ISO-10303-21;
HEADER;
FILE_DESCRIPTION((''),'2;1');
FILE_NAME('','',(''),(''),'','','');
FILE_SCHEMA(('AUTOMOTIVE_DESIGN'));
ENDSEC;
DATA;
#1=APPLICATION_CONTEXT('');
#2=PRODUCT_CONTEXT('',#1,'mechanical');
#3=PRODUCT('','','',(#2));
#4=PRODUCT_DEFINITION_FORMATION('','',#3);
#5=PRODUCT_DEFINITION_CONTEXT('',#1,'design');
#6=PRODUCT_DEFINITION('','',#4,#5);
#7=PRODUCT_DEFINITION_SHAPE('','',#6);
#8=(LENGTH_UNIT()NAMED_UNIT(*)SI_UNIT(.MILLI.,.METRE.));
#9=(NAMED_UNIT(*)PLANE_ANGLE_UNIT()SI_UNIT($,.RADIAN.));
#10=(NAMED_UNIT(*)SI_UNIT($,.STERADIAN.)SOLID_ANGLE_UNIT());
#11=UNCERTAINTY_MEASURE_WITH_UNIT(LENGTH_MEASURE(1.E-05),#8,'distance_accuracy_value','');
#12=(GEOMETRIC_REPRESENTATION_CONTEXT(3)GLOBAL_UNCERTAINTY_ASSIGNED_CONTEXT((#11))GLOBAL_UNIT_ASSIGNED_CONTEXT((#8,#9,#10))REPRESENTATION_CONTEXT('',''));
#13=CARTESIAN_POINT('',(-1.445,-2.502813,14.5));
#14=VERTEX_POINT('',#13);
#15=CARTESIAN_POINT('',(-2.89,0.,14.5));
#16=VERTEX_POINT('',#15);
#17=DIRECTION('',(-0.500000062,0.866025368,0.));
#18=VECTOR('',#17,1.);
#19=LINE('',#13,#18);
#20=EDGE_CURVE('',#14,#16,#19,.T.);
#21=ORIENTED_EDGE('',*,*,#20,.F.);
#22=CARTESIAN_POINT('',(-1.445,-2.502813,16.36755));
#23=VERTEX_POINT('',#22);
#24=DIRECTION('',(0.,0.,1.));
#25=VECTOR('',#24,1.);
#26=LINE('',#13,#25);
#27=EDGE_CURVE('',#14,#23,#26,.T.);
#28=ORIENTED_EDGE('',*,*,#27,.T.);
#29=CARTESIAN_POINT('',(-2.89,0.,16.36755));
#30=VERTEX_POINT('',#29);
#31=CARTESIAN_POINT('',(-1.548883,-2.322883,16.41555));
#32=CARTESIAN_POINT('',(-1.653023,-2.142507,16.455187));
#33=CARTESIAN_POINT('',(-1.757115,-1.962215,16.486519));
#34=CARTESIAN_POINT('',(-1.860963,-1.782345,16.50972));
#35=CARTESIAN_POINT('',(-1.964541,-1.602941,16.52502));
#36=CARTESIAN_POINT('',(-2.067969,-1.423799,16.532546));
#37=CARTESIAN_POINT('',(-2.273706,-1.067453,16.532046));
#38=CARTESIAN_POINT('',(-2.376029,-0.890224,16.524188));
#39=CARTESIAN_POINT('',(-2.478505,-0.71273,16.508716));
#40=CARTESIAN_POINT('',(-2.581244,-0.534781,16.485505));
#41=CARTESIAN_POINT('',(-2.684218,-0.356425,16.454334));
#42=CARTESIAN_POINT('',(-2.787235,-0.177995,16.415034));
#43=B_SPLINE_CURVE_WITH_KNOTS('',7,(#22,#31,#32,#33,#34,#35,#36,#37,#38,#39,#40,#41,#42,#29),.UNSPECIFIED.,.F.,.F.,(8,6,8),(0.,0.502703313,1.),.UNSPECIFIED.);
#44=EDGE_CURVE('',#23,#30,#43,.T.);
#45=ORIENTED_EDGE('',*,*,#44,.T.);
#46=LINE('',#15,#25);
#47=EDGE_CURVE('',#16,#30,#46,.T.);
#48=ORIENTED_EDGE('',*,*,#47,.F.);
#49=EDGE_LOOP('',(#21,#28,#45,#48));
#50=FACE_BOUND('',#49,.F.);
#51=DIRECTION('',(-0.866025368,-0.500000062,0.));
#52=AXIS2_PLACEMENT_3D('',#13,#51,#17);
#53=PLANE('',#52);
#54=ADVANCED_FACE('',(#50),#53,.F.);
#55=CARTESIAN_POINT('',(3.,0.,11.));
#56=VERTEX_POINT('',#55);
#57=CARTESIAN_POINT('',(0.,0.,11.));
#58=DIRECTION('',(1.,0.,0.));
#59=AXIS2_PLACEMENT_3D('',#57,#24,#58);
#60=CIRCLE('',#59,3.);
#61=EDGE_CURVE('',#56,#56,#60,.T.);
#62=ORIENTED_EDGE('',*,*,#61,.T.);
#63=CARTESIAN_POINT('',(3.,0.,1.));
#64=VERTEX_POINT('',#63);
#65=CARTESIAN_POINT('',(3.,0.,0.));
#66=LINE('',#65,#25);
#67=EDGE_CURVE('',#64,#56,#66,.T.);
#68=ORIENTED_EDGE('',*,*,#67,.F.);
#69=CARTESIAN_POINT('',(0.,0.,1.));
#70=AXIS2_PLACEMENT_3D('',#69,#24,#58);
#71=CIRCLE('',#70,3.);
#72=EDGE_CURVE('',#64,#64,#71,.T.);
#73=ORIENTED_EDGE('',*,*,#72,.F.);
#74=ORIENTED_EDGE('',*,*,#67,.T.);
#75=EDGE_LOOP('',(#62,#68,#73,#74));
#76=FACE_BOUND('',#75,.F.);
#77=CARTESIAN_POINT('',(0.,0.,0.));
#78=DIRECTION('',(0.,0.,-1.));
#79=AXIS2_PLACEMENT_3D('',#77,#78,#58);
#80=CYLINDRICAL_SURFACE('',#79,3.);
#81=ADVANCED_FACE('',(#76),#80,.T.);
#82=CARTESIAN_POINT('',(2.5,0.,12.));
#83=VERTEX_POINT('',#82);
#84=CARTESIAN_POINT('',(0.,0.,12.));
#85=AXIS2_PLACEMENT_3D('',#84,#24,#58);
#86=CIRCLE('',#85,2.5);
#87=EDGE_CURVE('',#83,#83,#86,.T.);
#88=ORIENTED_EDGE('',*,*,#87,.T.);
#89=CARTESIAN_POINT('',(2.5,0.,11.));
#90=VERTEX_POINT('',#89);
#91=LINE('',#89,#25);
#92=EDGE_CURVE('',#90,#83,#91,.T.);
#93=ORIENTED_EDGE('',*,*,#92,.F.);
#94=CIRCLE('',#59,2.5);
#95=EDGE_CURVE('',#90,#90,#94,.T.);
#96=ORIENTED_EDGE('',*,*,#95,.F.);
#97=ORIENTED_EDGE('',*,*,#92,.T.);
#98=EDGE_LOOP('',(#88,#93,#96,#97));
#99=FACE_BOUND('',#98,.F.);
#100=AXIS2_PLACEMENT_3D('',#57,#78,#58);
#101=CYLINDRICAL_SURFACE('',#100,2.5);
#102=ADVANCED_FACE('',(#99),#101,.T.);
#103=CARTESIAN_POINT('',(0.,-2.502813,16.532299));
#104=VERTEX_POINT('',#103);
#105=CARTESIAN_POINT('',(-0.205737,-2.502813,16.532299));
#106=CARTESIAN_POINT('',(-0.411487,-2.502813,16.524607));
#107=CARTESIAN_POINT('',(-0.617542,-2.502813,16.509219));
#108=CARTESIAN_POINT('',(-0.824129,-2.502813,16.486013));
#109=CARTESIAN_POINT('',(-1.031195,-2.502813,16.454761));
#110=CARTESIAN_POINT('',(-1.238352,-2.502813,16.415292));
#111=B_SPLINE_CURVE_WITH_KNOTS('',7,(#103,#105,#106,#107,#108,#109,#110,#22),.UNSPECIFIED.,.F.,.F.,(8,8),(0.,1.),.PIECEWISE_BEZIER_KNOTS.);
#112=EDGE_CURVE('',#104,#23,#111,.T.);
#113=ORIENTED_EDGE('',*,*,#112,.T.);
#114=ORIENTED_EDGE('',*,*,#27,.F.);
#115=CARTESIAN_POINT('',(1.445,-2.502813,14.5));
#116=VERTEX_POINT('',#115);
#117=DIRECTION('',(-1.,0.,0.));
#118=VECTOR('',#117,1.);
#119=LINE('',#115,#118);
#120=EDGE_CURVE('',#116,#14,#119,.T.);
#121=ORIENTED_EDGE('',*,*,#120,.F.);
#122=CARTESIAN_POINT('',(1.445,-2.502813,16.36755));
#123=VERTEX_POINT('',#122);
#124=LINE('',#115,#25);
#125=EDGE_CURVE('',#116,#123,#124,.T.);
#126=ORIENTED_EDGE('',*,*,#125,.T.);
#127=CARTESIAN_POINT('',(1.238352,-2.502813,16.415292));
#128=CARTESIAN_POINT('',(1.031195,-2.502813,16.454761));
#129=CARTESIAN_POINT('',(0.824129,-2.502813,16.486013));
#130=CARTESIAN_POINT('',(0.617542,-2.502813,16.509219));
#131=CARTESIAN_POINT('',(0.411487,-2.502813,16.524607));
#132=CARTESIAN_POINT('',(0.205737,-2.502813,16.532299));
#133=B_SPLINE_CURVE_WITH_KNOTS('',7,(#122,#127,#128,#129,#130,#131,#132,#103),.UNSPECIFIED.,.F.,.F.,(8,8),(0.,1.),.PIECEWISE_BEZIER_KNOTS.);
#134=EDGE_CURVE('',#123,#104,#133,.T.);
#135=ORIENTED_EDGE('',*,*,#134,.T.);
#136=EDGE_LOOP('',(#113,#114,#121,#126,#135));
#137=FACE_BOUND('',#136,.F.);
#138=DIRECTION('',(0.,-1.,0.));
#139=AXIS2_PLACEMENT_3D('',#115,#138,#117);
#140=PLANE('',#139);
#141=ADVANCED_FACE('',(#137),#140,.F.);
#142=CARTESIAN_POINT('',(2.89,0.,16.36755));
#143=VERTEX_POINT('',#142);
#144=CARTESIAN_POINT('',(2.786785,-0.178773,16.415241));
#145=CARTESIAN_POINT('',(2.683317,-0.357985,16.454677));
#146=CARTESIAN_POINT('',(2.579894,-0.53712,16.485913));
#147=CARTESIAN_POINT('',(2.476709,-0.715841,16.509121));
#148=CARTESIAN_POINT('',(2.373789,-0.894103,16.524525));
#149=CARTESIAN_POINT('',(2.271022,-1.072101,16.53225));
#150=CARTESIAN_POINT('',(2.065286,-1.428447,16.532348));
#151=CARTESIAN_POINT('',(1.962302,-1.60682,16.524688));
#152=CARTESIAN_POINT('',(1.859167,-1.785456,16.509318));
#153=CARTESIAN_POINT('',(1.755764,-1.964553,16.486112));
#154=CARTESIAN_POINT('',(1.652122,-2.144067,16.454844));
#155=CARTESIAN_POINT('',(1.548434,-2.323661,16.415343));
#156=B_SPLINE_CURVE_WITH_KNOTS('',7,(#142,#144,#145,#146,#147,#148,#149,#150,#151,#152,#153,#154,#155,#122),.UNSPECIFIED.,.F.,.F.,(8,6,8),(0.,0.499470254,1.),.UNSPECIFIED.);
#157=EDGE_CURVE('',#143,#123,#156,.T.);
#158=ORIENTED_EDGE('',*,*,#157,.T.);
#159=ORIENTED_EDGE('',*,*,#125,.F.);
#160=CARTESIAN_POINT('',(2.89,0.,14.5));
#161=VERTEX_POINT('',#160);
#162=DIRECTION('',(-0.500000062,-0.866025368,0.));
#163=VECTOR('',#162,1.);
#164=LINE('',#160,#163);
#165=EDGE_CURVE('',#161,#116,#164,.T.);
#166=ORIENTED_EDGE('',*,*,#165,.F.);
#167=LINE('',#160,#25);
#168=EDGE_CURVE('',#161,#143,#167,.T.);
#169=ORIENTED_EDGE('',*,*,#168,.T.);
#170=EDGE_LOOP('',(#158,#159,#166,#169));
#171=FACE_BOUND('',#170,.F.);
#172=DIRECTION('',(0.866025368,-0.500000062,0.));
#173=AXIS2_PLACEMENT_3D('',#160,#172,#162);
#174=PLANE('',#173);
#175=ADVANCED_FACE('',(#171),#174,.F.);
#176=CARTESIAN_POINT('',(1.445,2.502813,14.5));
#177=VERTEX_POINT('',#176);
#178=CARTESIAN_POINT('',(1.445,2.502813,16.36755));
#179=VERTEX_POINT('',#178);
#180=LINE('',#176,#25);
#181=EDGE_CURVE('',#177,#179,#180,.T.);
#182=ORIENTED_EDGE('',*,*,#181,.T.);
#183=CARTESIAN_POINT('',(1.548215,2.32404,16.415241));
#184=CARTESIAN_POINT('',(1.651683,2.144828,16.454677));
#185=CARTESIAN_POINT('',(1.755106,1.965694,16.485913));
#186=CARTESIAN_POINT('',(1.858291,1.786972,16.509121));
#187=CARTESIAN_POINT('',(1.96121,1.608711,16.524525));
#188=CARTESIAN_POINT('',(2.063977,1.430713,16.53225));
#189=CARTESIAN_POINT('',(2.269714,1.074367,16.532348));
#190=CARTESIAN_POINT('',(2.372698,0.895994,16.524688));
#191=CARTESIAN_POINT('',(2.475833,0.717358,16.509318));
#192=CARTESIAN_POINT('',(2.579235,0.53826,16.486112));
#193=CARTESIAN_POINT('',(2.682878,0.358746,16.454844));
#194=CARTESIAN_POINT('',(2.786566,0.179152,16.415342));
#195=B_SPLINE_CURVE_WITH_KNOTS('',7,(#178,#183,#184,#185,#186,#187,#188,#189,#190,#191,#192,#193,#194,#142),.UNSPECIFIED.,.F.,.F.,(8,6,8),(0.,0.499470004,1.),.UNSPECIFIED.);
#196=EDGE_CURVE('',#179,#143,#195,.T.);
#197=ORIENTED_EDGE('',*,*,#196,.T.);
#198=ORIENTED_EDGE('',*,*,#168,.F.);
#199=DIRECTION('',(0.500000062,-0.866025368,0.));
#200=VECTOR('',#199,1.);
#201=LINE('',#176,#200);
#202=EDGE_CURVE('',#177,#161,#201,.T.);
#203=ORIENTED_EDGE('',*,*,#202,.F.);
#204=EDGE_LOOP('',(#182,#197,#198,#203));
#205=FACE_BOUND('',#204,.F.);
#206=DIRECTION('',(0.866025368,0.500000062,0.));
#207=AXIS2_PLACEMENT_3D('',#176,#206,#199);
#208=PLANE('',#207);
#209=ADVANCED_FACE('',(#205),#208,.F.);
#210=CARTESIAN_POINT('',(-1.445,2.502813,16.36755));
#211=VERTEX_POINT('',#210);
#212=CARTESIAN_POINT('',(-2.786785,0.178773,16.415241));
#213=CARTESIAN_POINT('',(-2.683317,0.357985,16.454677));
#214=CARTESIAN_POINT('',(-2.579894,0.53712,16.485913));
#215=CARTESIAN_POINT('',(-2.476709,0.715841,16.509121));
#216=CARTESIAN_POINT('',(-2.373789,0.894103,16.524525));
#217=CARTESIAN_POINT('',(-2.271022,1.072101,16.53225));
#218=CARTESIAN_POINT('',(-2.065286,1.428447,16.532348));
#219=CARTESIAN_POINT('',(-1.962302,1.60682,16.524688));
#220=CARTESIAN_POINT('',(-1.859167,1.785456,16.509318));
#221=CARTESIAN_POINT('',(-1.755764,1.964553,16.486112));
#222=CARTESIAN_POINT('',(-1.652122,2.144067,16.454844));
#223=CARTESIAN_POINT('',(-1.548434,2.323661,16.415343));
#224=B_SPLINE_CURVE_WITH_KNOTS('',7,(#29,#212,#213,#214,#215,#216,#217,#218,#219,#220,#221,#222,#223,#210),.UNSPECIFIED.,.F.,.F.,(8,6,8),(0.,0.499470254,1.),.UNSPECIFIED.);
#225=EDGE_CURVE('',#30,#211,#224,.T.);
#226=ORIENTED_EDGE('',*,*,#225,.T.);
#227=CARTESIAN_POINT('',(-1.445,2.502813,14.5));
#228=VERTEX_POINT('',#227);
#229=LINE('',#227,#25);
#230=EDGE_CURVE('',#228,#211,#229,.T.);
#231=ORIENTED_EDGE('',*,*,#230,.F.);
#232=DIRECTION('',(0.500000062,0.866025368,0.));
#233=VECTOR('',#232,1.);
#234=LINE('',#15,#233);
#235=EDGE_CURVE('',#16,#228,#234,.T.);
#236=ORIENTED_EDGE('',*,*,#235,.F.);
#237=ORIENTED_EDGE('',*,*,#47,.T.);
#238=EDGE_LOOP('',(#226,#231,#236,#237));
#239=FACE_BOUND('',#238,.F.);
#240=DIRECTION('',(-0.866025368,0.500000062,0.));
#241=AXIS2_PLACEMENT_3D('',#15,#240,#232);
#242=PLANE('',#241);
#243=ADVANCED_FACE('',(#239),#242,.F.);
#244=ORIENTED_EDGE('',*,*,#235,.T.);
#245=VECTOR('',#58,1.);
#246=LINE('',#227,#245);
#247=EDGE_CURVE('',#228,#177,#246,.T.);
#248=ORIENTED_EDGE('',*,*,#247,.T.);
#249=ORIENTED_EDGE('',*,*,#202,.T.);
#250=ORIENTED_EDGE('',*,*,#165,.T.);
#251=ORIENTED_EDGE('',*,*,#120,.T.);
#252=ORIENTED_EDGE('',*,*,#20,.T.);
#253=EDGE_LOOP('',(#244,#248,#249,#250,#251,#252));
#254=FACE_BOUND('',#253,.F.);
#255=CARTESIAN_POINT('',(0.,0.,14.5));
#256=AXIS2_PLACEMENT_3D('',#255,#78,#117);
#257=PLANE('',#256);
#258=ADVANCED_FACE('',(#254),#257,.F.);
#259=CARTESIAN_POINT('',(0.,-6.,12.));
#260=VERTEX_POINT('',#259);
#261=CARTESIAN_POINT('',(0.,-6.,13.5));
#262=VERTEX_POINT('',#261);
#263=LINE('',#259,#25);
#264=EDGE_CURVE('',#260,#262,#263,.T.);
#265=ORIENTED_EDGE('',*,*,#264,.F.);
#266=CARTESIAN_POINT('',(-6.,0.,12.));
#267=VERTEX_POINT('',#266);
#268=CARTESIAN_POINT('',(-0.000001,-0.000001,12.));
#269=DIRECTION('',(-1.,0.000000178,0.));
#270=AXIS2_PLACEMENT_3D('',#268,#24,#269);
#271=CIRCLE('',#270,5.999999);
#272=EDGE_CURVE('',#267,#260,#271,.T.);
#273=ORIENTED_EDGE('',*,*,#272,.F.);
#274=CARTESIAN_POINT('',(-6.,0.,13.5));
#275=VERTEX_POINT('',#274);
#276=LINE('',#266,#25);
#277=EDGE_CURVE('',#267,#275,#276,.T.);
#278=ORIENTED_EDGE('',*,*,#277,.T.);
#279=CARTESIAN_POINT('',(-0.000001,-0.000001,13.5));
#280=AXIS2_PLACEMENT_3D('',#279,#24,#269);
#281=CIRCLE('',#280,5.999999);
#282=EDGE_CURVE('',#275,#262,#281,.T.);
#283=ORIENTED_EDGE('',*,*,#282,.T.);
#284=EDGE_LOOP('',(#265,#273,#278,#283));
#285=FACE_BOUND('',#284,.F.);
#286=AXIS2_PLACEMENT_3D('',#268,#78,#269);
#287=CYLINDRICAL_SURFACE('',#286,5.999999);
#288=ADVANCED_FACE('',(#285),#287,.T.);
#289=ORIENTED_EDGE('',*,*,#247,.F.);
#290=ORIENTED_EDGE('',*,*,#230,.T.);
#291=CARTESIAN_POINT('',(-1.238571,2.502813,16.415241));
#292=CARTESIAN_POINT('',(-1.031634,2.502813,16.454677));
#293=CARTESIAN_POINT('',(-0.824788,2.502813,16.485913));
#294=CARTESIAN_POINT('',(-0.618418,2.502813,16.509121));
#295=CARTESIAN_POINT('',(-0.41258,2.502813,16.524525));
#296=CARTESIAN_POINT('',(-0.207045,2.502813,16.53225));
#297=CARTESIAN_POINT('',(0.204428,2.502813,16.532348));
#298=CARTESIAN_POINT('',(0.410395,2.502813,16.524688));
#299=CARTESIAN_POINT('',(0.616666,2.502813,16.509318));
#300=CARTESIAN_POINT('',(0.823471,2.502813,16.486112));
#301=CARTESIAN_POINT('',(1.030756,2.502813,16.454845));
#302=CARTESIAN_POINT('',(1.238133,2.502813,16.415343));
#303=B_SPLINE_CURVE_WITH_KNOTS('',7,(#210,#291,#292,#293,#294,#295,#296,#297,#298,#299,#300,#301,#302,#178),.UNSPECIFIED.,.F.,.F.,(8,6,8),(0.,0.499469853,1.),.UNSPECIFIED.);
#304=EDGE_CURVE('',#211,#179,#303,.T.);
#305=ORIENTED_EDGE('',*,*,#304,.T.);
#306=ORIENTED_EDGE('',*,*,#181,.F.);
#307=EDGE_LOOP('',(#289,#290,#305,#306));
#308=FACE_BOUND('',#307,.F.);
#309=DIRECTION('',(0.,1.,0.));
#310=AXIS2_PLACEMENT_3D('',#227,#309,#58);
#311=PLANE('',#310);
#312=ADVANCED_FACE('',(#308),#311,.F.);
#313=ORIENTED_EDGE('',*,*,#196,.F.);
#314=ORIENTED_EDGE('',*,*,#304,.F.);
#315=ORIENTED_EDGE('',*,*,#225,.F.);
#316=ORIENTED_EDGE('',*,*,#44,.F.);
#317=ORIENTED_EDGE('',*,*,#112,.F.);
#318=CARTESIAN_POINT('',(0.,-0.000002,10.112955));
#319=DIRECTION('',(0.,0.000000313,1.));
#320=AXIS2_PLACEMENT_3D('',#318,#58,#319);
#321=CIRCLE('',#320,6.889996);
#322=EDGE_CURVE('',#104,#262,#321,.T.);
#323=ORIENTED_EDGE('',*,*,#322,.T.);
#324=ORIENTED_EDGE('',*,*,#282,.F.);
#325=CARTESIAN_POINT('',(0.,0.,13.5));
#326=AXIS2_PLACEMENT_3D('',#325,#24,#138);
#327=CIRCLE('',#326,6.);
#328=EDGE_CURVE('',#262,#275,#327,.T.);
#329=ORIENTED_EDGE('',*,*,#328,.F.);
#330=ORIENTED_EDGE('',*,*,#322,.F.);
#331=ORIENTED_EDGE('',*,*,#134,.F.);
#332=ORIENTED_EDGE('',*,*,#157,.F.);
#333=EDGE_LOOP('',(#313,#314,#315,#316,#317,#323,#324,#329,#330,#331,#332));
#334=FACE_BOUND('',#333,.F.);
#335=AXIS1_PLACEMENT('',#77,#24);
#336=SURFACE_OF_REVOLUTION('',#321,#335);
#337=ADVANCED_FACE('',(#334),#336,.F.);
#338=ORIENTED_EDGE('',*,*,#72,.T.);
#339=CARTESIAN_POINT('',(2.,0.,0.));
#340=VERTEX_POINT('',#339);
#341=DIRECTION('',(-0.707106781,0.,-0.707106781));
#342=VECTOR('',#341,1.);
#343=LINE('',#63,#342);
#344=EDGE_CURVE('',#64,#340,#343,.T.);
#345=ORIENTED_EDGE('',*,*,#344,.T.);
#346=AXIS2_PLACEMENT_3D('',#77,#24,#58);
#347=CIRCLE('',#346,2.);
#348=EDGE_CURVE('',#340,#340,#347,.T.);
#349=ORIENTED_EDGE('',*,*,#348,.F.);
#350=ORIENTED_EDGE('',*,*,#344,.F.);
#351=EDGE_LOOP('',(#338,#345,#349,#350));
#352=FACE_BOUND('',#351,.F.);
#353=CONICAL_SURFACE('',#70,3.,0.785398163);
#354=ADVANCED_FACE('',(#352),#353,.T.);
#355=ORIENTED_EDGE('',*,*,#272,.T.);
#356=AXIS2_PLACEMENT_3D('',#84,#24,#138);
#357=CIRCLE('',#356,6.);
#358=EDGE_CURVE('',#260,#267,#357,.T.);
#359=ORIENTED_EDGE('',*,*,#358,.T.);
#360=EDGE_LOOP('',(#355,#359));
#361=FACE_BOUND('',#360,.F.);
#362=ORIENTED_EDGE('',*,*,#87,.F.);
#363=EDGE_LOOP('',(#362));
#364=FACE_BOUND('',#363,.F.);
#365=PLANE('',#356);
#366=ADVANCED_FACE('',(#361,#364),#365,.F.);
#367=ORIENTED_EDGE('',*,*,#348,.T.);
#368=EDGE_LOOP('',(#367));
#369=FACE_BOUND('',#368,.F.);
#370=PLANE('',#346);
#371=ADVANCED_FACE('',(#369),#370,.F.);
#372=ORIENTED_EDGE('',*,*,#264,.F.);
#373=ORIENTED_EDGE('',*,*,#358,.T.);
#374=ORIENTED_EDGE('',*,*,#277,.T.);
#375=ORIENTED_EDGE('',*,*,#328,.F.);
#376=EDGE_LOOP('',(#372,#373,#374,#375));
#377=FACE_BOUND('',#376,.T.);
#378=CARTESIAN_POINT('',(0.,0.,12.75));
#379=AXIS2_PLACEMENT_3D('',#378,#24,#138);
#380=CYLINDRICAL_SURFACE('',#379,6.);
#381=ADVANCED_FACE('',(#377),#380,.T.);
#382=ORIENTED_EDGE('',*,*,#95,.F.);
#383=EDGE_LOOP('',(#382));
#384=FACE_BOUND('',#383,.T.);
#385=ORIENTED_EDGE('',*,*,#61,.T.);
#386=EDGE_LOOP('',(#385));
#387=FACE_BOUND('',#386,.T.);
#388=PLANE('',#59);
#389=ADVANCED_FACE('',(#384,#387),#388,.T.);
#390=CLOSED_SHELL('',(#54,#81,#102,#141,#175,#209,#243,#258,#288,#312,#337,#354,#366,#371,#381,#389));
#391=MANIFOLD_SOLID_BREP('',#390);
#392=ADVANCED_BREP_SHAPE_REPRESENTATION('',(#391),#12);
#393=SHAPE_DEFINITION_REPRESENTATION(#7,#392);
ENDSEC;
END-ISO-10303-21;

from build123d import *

# Parameters (mm, degrees)
PAD003_DEPTH        = 4
SKETCH_R            = 3
PAD_DEPTH           = 11
CHAMFER_SIZE        = 1
SKETCH001_R         = 2.5
PAD001_DEPTH        = 1
PAD002_DEPTH        = 1.5
SKETCH004_W         = 6
SKETCH004_H         = 1.5
REVOLUTION001_ANGLE = 270


with BuildPart() as pad003:
    # Sketch005 → Pad003 (new body)
    with BuildSketch(Plane.XY.offset(14.5)):
        Polygon((-2.89, 0), (-1.445, 2.502813), (1.445, 2.502813), (2.89, 0), (1.445, -2.502813), (-1.445, -2.502813), align=None)
    extrude(amount=PAD003_DEPTH)


with BuildPart() as cut:
    # Sketch → Pad (new body)
    with BuildSketch(Plane.XY):
        Circle(SKETCH_R)
    extrude(amount=PAD_DEPTH)

    # Chamfer
    chamfer_edges = [cut.edges().sort_by_distance(p)[0] for p in [
        (-3, 0, 0),
    ]]
    chamfer(chamfer_edges, length=CHAMFER_SIZE)

    # Sketch001 → Pad001 (new body)
    with BuildSketch(Plane.XY.offset(11)):
        Circle(SKETCH001_R)
    extrude(amount=PAD001_DEPTH)

    # Sketch002 → Pad002 (new body)
    with BuildSketch(Plane.XY.offset(12)):
        with BuildLine():
            ThreePointArc((-6, 0), (-4.242641, -4.242641), (0, -6))
            Line((0, 0), (0, -6))
            Line((0, 0), (-6, 0))
        make_face()
    extrude(amount=PAD002_DEPTH)

    # Sketch003 → Revolution (revolve)
    with BuildSketch(Plane.YZ):
        with BuildLine():
            ThreePointArc((0, 17.002951), (-3.473855, 16.063114), (-6, 13.5))
            Line((0, 13.5), (-6, 13.5))
            Line((0, 17.002951), (0, 13.5))
        make_face()
    revolve(axis=Axis((0, 0, 0), (0, 0, 1)))

    # Sketch004 → Revolution001 (revolve)
    with BuildSketch(Plane.YZ):
        with Locations((-3, 12.75)):
            Rectangle(SKETCH004_W, SKETCH004_H)
    revolve(axis=Axis((0, 0, 0), (0, 0, 1)), revolution_arc=REVOLUTION001_ANGLE)

    # Cut: cut Pad003
    add(pad003.part, mode=Mode.SUBTRACT)


solid = cut.part
